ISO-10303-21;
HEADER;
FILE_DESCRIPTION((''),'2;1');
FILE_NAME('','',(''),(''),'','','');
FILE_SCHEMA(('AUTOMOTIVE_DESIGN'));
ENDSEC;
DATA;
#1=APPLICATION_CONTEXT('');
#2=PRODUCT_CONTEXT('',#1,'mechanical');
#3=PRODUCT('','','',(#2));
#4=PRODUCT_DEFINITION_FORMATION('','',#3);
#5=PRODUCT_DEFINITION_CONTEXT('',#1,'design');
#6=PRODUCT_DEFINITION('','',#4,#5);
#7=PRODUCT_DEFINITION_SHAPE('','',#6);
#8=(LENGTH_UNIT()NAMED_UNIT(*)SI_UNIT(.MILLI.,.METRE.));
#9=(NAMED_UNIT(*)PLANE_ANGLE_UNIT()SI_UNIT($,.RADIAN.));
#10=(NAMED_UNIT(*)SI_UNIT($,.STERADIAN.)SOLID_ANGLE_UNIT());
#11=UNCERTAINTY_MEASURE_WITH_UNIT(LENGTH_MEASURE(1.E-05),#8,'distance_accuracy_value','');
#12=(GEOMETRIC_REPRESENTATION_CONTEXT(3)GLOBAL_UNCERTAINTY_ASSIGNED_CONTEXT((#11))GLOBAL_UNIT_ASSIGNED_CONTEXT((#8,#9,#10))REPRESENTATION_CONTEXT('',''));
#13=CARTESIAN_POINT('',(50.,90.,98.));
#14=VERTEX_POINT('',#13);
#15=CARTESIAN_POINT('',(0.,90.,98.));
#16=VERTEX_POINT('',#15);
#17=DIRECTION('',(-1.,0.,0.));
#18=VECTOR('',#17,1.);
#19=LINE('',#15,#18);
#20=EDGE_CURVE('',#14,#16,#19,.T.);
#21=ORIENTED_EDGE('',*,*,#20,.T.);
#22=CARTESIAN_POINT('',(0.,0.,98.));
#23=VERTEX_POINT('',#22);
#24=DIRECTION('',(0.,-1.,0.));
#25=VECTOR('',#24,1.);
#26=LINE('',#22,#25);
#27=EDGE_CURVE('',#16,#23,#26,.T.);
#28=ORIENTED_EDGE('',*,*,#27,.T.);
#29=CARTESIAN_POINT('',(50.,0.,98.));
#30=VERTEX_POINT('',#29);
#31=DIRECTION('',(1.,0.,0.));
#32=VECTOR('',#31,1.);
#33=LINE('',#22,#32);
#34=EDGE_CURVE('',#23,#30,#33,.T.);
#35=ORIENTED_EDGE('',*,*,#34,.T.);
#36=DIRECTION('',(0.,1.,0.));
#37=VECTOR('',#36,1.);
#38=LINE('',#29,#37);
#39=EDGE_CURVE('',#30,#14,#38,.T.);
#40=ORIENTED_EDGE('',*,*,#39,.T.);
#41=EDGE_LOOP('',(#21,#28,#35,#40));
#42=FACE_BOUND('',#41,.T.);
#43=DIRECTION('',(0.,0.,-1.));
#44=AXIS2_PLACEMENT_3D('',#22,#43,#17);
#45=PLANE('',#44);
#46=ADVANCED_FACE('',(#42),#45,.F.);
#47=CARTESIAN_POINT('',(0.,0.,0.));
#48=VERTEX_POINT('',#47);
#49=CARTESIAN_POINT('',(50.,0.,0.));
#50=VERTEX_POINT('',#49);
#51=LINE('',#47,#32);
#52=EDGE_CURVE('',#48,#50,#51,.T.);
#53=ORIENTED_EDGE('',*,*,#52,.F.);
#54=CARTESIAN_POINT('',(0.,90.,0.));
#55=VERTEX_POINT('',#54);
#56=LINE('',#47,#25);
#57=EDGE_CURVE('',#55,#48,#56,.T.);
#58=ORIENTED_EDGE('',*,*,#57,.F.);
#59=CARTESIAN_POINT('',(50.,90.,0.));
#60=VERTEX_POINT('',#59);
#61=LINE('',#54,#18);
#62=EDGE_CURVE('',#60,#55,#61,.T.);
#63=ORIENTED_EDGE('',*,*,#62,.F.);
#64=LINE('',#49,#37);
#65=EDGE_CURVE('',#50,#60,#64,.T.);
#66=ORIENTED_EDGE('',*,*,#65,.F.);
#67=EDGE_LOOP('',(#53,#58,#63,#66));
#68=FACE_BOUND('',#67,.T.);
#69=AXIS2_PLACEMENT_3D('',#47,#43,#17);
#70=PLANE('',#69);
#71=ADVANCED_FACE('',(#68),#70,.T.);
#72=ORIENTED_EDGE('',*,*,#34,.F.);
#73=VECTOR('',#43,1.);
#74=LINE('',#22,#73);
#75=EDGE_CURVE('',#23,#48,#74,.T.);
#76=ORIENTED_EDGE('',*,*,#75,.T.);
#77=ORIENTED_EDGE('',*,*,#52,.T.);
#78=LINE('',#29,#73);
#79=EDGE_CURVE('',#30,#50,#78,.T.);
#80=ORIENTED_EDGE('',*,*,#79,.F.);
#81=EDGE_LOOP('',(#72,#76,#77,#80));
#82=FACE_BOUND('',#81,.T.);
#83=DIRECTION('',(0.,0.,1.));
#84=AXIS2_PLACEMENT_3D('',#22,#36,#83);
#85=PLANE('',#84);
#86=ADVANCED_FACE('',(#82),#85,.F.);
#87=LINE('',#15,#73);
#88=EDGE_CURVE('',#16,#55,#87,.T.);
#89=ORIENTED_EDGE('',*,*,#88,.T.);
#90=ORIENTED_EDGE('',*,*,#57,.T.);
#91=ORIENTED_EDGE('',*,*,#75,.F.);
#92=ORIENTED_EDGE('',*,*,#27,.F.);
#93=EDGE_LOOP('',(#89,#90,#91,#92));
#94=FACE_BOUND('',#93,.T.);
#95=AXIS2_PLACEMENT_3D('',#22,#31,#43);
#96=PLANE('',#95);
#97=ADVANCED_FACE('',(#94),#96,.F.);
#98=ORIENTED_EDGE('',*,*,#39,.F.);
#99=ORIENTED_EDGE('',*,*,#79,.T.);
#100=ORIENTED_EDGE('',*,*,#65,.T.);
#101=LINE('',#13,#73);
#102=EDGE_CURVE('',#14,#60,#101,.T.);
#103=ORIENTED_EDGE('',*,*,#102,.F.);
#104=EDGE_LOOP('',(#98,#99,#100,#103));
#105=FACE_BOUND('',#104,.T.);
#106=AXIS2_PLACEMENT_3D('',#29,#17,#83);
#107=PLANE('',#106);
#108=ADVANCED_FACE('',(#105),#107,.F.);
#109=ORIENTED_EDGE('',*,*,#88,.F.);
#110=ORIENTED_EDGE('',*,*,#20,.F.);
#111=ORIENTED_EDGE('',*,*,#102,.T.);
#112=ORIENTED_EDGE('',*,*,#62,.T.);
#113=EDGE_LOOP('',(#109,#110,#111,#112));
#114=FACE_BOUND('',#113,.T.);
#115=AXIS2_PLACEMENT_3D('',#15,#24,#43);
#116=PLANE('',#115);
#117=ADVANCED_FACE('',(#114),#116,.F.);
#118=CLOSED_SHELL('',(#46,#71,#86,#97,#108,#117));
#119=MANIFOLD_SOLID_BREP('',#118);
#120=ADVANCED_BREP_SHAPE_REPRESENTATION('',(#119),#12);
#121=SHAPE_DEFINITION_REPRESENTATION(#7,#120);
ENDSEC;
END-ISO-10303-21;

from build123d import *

# Parameters (mm, degrees)
ESBO_O1_W                = 50
ESBO_O1_H                = 90
RESSALTO_EXTRUS_O1_DEPTH = 98


with BuildPart() as part:
    # Esboço1 → Ressalto-extrusão1 (new body)
    with BuildSketch(Plane.XY):
        with Locations((25, 45)):
            Rectangle(ESBO_O1_W, ESBO_O1_H)
    extrude(amount=RESSALTO_EXTRUS_O1_DEPTH)


solid = part.part
